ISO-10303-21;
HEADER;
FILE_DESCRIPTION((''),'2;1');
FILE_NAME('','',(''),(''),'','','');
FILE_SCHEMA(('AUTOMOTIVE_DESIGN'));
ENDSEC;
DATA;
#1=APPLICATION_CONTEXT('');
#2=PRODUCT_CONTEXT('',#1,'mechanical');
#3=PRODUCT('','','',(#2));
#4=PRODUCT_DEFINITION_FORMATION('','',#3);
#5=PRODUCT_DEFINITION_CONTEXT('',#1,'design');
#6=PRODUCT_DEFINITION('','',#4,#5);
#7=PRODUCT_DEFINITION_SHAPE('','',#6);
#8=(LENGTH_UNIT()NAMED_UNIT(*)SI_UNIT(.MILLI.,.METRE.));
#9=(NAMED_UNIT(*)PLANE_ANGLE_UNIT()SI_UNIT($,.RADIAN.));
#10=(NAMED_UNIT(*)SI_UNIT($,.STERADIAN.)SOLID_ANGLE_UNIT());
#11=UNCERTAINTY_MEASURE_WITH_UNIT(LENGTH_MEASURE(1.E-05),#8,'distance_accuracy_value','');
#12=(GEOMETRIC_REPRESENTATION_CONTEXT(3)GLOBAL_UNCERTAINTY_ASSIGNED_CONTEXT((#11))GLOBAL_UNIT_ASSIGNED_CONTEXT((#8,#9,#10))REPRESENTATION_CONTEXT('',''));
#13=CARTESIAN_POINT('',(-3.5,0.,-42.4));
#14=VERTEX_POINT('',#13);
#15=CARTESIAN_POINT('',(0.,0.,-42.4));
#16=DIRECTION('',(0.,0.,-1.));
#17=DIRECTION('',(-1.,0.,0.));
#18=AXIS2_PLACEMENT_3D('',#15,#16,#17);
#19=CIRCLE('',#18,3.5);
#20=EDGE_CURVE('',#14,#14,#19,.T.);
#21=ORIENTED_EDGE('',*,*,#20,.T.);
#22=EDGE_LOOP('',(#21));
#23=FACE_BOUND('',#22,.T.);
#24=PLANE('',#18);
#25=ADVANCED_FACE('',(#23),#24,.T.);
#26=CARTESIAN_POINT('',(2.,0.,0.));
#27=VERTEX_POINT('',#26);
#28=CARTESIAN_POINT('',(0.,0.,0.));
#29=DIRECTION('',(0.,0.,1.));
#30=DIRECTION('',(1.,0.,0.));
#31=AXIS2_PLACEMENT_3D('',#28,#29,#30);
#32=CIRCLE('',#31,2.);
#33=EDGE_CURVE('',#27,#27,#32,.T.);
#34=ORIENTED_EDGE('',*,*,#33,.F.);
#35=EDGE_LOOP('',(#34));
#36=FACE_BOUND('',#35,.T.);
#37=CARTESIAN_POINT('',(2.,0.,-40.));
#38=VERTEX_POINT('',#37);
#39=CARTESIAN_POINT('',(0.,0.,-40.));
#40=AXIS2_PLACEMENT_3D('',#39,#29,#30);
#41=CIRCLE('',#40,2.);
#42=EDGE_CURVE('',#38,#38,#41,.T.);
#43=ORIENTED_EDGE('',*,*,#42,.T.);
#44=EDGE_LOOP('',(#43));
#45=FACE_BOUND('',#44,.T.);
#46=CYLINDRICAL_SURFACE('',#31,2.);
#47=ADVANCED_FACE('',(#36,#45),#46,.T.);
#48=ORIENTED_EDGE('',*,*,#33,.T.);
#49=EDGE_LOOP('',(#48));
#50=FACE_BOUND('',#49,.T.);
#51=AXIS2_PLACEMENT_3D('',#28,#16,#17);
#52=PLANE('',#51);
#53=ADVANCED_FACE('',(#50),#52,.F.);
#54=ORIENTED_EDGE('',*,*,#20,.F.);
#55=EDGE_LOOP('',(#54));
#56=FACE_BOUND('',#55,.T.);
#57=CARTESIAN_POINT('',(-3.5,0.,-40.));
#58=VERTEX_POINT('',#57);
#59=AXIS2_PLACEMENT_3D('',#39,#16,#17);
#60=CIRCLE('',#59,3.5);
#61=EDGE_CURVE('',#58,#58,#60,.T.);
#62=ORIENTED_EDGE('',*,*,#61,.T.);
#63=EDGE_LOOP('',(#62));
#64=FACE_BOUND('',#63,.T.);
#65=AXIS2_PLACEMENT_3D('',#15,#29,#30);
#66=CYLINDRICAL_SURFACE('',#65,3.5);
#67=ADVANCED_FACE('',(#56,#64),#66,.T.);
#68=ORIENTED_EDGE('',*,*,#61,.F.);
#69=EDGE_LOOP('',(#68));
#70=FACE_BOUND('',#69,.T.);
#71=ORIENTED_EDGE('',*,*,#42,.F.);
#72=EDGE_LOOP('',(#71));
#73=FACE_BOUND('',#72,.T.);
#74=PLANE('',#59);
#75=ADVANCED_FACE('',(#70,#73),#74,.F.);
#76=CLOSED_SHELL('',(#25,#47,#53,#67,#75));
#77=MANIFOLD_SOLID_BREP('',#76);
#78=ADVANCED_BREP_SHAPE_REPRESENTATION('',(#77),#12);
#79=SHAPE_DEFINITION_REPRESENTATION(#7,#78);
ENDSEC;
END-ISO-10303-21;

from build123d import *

# Parameters (mm, degrees)
SKETCH2_W           = 2
SKETCH2_H           = 40
SKETCH3_R           = 3.5
BOSS_EXTRUDE1_DEPTH = 2.4


with BuildPart() as part:
    # Sketch2 → Revolve1 (revolve)
    with BuildSketch(Plane(origin=(0, 0, 0), x_dir=(1, 0, 0), z_dir=(0, 1, 0)), mode=Mode.PRIVATE) as revolve1_sk:
        with Locations((-1, 20)):
            Rectangle(SKETCH2_W, SKETCH2_H)
    revolve(revolve1_sk.sketch.rotate(Axis((0, 0, 0), (0, 0, -1)), 180), axis=Axis((0, 0, 0), (0, 0, -1)))

    # Sketch3 → Boss-Extrude1 (add)
    with BuildSketch(Plane(origin=(0, 0, -40), x_dir=(-1, 0, 0), z_dir=(0, 0, -1))):
        Circle(SKETCH3_R)
    extrude(amount=BOSS_EXTRUDE1_DEPTH)


solid = part.part
